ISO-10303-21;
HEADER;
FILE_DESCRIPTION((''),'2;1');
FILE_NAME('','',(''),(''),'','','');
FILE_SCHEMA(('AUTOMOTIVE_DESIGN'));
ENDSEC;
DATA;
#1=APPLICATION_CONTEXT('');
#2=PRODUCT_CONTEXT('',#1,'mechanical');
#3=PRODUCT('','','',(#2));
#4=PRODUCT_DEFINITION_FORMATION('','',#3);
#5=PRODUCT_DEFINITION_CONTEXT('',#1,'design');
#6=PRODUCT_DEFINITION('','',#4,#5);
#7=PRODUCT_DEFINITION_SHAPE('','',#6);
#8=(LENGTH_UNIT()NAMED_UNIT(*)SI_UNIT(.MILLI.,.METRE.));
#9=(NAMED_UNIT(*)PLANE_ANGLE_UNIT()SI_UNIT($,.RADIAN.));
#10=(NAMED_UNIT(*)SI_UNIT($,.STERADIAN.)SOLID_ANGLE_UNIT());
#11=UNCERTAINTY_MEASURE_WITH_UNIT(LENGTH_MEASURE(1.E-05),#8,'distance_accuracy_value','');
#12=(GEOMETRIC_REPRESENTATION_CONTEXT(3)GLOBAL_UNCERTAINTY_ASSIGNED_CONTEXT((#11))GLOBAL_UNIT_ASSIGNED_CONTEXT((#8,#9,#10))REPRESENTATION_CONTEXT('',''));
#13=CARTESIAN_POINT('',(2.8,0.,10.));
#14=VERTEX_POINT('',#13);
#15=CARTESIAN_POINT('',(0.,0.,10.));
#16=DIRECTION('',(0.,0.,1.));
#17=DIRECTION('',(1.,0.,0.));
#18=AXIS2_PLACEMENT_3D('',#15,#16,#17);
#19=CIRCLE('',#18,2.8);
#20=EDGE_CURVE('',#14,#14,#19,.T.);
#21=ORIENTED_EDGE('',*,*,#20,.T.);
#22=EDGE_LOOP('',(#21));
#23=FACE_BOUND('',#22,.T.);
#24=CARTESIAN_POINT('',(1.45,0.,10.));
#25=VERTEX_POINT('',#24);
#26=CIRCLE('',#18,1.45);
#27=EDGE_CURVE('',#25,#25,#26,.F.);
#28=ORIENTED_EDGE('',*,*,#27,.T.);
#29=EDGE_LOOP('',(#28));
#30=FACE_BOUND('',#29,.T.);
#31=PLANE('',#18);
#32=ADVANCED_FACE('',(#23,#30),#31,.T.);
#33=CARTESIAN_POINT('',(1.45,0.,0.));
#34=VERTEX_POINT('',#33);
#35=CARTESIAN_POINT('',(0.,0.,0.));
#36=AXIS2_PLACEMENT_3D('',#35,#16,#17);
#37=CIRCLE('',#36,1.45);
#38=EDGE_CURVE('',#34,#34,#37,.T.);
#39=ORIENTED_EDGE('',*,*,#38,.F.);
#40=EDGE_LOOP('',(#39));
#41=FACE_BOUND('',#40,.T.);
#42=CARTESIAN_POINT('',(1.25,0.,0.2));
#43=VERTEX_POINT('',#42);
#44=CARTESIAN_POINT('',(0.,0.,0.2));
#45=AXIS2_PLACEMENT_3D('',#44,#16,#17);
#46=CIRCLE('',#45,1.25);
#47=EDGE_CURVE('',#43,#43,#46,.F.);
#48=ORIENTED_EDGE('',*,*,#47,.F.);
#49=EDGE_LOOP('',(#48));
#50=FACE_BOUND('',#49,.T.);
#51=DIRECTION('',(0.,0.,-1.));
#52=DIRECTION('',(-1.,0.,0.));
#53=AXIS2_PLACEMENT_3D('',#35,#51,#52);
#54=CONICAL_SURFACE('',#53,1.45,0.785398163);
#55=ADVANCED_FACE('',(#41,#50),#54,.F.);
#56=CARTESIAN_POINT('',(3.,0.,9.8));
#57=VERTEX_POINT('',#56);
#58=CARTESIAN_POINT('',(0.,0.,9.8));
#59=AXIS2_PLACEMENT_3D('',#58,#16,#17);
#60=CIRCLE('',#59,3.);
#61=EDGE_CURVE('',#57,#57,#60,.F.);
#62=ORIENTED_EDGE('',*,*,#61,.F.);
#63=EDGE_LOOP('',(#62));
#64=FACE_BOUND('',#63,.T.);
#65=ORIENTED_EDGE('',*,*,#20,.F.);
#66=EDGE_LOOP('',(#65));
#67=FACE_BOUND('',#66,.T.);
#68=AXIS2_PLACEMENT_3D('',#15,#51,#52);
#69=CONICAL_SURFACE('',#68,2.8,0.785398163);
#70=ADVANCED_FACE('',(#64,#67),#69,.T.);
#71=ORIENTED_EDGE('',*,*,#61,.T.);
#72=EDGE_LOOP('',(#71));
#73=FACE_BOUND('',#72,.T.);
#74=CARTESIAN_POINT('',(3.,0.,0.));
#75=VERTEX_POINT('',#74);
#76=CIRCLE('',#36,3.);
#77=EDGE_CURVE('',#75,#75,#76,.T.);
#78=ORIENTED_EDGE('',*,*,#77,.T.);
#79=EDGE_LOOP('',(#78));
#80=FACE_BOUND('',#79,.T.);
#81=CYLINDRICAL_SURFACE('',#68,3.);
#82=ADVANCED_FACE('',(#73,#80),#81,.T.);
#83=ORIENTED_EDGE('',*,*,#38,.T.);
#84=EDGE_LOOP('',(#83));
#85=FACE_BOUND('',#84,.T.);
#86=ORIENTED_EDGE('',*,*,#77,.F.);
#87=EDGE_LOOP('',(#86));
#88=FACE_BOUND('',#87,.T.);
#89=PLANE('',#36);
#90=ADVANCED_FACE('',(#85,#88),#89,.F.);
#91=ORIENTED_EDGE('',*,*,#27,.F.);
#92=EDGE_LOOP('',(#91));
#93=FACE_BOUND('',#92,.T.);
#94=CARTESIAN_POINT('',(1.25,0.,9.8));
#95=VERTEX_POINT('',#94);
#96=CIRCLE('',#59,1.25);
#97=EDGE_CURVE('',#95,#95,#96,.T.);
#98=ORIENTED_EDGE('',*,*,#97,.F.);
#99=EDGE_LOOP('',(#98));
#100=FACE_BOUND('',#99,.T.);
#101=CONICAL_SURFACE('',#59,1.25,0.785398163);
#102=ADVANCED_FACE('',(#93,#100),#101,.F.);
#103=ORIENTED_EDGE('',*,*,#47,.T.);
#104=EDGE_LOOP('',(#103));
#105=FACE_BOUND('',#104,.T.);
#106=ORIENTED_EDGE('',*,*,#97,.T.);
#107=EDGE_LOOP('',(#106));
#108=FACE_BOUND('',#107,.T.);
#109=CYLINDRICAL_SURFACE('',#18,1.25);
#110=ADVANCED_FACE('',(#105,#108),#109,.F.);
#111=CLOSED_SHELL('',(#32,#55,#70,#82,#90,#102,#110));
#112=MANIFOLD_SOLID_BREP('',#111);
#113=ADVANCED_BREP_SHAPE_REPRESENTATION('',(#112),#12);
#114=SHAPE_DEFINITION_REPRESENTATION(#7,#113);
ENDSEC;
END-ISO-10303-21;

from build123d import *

# Parameters (mm, degrees)
SKETCH_1_R         = 3
EXTRUDE_1_DEPTH    = 10
HOLE_WIZARD_M3_1_D = 2.5
CHAMFER_1_SIZE     = 0.2


with BuildPart() as part:
    # 草图1 → 凸台-拉伸1 (new body)
    with BuildSketch(Plane.XY):
        Circle(SKETCH_1_R)
    extrude(amount=EXTRUDE_1_DEPTH)

    # M3 螺纹孔1 (through all)
    with Locations(Plane.XY.offset(10)):
        with Locations((0, 0)):
            Hole(HOLE_WIZARD_M3_1_D / 2)

    # 倒角1
    chamfer_1_edges = [part.edges().sort_by_distance(p)[0] for p in [
        (-3, 0, 10),
        (1.25, 0, 10),
        (1.25, 0, 0),
    ]]
    chamfer(chamfer_1_edges, length=CHAMFER_1_SIZE)


solid = part.part
